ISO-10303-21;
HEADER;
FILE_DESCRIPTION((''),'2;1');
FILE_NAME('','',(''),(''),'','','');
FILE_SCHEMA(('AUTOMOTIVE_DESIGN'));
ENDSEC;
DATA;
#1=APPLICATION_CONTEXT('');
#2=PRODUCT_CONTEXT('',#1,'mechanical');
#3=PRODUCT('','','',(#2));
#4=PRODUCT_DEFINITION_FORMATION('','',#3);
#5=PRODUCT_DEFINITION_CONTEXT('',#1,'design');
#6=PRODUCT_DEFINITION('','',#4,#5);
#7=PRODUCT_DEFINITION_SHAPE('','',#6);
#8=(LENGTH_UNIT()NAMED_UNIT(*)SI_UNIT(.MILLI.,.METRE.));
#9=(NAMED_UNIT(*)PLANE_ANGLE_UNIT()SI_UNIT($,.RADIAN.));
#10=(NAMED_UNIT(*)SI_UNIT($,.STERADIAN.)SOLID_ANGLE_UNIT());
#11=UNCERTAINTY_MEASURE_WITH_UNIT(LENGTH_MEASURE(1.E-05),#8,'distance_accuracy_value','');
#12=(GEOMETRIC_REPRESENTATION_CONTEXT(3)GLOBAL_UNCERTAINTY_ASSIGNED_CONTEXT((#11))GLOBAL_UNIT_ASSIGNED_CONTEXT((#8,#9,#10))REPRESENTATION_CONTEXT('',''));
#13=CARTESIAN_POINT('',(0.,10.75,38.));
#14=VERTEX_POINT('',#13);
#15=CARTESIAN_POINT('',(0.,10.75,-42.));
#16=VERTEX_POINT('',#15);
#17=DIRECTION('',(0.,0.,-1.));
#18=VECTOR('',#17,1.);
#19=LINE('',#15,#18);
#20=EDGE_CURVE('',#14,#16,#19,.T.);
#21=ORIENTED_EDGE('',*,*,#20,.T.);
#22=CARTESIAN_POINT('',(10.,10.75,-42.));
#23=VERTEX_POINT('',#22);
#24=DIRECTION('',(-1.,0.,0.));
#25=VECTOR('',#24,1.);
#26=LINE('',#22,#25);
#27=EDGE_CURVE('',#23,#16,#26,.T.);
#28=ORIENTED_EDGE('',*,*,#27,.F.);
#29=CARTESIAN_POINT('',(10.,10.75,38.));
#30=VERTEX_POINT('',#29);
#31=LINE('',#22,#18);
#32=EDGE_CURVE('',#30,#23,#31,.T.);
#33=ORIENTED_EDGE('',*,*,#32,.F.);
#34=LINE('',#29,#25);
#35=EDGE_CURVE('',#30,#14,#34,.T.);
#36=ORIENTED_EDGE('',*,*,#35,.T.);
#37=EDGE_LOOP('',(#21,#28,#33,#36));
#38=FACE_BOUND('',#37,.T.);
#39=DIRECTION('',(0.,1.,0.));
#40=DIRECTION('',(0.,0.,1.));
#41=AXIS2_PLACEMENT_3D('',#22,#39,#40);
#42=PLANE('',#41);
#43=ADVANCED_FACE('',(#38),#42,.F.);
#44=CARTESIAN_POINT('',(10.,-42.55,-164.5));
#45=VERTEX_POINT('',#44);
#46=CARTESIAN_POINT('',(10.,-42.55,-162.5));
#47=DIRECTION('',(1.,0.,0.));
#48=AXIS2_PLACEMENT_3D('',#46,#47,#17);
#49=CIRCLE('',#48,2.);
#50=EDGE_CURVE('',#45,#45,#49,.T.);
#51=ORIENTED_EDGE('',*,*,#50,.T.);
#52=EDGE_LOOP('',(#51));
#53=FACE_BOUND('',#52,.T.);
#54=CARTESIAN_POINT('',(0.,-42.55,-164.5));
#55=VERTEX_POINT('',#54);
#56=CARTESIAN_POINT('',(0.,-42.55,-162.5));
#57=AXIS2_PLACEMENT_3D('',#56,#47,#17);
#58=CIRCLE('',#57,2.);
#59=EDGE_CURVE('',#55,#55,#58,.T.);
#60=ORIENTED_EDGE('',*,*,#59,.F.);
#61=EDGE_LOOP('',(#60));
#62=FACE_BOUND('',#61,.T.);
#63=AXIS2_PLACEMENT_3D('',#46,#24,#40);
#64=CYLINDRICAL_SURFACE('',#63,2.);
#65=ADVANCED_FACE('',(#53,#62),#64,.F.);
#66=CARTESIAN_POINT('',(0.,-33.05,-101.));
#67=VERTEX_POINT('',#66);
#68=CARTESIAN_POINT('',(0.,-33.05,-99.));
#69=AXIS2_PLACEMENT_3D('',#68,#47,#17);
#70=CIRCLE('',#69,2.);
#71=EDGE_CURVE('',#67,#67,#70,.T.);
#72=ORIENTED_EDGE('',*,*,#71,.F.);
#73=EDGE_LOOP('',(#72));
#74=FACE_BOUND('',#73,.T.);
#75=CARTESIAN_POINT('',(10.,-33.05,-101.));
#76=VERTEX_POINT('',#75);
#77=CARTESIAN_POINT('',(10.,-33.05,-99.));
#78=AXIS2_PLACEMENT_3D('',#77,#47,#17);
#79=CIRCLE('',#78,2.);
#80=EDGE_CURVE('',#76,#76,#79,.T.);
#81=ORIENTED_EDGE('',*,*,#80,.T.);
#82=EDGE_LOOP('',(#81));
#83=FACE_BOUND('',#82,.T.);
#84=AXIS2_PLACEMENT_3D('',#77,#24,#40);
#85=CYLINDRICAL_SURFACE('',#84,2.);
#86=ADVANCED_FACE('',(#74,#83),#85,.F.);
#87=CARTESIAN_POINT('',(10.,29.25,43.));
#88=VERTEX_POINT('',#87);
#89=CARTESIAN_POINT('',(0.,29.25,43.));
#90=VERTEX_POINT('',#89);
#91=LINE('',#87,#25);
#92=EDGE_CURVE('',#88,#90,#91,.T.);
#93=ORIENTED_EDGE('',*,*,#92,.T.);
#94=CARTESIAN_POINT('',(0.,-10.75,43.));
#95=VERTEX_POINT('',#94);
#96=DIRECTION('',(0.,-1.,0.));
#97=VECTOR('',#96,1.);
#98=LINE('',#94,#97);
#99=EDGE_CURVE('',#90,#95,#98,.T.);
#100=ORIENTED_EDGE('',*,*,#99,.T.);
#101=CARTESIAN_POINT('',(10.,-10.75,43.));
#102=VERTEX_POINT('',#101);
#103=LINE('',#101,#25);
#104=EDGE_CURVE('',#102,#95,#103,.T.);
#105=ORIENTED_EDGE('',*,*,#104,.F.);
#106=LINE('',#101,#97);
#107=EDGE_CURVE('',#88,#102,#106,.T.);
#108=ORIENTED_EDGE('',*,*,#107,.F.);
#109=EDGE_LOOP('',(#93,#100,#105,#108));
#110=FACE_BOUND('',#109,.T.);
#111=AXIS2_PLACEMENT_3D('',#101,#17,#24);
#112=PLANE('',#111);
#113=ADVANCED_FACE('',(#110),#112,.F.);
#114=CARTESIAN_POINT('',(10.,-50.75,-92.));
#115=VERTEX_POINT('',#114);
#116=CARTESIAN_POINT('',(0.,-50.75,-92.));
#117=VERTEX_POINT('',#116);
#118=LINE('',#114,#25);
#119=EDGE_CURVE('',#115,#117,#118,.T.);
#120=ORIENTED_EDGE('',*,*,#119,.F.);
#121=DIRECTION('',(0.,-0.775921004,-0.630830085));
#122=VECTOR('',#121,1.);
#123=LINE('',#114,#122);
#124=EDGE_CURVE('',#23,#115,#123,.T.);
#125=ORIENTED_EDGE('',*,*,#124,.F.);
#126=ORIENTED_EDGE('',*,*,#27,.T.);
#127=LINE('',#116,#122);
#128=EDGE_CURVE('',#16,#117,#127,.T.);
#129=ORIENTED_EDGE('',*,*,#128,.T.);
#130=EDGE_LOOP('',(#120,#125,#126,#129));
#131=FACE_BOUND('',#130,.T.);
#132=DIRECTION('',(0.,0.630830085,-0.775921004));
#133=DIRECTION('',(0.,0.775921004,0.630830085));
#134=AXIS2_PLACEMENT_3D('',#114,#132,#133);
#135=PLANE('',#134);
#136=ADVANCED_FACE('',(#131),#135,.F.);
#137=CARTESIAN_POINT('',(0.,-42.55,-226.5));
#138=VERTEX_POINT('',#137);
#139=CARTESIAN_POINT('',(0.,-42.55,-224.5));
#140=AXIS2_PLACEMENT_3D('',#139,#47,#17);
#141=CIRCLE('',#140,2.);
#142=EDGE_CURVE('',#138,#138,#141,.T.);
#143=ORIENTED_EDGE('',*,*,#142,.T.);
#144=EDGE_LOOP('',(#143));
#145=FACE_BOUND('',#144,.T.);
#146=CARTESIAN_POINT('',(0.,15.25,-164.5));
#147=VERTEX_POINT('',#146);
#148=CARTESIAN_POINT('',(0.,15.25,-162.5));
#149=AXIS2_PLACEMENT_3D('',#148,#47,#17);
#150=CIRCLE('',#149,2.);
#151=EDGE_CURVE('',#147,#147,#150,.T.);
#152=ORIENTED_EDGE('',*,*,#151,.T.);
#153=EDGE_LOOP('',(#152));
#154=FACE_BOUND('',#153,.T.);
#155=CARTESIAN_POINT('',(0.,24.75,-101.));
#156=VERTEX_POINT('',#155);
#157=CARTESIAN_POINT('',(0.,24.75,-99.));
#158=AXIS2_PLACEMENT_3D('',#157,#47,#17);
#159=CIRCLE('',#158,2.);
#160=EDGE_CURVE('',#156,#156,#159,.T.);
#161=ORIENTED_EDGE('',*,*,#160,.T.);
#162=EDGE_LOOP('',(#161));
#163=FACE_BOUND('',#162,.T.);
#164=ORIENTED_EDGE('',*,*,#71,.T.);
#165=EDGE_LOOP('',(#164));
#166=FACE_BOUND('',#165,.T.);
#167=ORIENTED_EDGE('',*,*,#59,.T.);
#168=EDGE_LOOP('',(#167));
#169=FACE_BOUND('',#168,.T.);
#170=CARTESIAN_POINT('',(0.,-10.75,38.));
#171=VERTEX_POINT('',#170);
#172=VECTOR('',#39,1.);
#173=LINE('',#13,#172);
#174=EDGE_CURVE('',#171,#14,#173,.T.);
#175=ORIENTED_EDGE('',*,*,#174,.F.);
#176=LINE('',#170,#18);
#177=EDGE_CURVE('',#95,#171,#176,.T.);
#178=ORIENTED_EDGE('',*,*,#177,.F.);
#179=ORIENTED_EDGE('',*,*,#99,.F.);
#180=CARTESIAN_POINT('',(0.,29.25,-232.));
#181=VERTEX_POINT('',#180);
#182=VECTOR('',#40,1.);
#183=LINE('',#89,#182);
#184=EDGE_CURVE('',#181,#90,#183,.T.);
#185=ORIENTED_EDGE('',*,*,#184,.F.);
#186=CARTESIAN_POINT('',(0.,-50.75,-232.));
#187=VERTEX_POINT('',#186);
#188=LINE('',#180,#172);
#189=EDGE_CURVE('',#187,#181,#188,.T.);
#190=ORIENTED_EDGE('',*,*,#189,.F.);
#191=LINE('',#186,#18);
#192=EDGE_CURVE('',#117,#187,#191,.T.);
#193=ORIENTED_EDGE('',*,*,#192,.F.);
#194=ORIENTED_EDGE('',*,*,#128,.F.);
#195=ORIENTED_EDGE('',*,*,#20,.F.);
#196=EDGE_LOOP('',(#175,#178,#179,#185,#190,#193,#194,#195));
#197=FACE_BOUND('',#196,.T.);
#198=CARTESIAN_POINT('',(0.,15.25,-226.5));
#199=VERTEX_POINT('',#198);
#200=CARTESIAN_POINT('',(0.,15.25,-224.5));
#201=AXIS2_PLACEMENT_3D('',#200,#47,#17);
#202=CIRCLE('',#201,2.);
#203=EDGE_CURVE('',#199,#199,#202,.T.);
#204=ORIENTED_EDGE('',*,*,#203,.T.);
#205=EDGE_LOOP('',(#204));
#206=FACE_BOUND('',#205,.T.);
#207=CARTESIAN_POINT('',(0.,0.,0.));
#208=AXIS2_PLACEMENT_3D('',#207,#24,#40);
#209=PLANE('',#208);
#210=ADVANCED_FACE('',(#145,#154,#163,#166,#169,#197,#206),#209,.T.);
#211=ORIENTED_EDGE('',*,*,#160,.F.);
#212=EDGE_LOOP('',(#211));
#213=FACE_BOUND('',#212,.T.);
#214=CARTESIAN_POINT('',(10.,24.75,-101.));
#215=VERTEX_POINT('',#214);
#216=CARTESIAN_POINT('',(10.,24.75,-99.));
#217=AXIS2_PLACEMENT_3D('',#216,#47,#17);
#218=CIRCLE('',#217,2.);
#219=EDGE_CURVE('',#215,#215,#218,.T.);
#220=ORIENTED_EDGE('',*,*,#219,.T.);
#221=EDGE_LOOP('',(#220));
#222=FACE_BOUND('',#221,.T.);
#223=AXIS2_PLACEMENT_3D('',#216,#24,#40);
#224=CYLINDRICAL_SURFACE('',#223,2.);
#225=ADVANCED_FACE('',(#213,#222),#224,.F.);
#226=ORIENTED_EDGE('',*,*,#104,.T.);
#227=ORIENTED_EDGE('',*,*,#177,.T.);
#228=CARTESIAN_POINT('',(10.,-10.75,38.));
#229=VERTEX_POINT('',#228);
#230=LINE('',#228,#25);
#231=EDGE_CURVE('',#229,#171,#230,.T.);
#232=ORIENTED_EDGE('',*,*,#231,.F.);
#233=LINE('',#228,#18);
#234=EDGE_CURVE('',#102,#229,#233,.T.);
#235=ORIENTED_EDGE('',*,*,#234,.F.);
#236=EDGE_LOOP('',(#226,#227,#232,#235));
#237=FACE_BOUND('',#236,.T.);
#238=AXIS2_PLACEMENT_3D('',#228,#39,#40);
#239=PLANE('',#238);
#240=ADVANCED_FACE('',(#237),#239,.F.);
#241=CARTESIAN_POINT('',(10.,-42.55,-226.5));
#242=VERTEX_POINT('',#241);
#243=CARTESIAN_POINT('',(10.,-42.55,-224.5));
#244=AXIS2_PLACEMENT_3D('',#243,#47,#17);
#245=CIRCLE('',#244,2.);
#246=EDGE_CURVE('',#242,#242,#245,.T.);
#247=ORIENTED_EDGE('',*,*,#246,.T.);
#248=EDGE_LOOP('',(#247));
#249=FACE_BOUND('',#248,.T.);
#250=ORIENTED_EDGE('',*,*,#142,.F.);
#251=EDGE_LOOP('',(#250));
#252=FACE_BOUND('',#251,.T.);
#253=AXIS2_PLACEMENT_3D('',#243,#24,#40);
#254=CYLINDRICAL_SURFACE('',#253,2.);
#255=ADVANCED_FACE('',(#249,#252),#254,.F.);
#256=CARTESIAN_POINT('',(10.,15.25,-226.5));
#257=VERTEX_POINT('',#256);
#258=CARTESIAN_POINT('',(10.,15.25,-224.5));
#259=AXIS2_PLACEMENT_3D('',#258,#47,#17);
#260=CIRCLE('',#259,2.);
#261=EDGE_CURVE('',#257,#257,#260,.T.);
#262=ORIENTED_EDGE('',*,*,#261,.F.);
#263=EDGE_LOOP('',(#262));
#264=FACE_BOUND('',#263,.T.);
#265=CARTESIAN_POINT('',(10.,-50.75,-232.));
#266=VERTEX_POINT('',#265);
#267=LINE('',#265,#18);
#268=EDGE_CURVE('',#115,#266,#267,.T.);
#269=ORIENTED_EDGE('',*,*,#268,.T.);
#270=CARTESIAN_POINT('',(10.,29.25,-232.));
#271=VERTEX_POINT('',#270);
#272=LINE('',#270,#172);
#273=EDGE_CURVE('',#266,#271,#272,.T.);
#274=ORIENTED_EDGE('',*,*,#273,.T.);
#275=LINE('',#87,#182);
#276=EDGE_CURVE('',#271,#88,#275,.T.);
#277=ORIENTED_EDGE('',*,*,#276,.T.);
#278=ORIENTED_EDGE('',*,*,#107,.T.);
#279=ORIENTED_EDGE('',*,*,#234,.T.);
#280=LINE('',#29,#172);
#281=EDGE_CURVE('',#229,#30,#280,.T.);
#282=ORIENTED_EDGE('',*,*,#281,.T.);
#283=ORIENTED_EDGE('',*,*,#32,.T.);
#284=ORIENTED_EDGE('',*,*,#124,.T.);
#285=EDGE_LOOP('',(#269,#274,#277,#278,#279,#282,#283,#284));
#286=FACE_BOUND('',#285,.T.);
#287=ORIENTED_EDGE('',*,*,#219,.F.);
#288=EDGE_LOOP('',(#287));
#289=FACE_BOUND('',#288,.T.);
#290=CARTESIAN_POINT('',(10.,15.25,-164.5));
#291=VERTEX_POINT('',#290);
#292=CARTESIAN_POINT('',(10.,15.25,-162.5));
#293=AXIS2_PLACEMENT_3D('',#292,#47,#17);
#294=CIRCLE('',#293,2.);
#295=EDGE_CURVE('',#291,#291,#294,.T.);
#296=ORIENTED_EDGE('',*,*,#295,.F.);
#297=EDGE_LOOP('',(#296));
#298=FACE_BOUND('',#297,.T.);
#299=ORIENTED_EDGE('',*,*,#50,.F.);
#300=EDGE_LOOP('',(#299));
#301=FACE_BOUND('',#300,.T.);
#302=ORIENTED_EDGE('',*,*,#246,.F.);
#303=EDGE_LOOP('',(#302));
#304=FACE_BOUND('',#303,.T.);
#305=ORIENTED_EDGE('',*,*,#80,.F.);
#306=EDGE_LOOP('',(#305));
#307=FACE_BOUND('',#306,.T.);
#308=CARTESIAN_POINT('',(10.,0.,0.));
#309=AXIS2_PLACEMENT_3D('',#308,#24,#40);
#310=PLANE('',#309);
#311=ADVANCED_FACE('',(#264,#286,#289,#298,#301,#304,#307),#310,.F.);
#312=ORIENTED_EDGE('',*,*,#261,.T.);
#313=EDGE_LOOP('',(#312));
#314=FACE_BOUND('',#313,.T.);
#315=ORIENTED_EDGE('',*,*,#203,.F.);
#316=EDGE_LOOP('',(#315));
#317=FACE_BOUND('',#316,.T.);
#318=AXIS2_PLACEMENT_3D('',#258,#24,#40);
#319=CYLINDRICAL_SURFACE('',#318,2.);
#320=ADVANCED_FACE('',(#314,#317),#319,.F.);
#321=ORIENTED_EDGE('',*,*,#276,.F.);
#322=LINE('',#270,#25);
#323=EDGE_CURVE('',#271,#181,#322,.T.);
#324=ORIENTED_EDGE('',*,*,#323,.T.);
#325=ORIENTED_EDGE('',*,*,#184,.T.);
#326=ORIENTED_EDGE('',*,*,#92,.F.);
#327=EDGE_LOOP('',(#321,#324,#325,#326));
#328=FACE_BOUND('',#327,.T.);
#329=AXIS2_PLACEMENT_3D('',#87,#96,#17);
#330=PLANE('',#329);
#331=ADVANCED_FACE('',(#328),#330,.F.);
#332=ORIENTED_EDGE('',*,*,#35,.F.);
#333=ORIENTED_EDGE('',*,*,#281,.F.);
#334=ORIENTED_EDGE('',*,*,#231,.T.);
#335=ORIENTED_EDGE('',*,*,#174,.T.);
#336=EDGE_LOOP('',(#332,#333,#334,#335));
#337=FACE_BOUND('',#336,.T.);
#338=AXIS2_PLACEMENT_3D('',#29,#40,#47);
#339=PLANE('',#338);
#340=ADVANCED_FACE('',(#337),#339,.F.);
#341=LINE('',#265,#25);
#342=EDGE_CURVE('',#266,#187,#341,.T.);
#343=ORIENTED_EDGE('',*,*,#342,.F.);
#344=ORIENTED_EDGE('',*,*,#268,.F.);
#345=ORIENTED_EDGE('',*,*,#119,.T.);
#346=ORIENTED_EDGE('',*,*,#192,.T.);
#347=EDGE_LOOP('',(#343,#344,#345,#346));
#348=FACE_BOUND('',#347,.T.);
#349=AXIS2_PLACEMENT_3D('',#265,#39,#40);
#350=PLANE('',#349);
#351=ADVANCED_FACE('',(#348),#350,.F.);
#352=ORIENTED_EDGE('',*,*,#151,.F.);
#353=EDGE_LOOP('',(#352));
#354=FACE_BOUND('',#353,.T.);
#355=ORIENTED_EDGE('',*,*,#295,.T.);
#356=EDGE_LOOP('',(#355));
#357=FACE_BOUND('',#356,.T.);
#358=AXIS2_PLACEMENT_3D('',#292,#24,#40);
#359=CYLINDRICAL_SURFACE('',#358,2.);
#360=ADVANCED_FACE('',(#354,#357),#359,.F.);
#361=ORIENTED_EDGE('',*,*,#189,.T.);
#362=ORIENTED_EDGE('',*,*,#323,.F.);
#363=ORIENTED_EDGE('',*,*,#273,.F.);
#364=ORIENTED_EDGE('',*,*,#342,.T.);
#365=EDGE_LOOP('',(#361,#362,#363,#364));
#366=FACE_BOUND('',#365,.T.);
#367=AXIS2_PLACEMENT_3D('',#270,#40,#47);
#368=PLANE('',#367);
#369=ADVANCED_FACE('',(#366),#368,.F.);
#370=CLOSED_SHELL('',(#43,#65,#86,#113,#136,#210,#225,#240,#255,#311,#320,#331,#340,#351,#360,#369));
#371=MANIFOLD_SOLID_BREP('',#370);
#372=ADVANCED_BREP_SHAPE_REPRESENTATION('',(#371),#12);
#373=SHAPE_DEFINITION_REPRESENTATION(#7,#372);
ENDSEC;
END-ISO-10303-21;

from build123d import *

# Parameters (mm, degrees)
SKETCH1_R           = 2
BOSS_EXTRUDE1_DEPTH = 10


with BuildPart() as part:
    # Sketch1 → Boss-Extrude1 (new body)
    with BuildSketch(Plane(origin=(0, 0, 0), x_dir=(0, 0, -1), z_dir=(1, 0, 0))):
        Polygon((-38, 10.75), (-38, -10.75), (-43, -10.75), (-43, 29.25), (232, 29.25), (232, -50.75), (92, -50.75), (42, 10.75), align=None)
        with Locations((99, 24.75)):
            Circle(SKETCH1_R, mode=Mode.SUBTRACT)
        with Locations((99, -33.05)):
            Circle(SKETCH1_R, mode=Mode.SUBTRACT)
        with Locations((162.5, 15.25)):
            Circle(SKETCH1_R, mode=Mode.SUBTRACT)
        with Locations((224.5, 15.25)):
            Circle(SKETCH1_R, mode=Mode.SUBTRACT)
        with Locations((162.5, -42.55)):
            Circle(SKETCH1_R, mode=Mode.SUBTRACT)
        with Locations((224.5, -42.55)):
            Circle(SKETCH1_R, mode=Mode.SUBTRACT)
    extrude(amount=BOSS_EXTRUDE1_DEPTH)


solid = part.part
